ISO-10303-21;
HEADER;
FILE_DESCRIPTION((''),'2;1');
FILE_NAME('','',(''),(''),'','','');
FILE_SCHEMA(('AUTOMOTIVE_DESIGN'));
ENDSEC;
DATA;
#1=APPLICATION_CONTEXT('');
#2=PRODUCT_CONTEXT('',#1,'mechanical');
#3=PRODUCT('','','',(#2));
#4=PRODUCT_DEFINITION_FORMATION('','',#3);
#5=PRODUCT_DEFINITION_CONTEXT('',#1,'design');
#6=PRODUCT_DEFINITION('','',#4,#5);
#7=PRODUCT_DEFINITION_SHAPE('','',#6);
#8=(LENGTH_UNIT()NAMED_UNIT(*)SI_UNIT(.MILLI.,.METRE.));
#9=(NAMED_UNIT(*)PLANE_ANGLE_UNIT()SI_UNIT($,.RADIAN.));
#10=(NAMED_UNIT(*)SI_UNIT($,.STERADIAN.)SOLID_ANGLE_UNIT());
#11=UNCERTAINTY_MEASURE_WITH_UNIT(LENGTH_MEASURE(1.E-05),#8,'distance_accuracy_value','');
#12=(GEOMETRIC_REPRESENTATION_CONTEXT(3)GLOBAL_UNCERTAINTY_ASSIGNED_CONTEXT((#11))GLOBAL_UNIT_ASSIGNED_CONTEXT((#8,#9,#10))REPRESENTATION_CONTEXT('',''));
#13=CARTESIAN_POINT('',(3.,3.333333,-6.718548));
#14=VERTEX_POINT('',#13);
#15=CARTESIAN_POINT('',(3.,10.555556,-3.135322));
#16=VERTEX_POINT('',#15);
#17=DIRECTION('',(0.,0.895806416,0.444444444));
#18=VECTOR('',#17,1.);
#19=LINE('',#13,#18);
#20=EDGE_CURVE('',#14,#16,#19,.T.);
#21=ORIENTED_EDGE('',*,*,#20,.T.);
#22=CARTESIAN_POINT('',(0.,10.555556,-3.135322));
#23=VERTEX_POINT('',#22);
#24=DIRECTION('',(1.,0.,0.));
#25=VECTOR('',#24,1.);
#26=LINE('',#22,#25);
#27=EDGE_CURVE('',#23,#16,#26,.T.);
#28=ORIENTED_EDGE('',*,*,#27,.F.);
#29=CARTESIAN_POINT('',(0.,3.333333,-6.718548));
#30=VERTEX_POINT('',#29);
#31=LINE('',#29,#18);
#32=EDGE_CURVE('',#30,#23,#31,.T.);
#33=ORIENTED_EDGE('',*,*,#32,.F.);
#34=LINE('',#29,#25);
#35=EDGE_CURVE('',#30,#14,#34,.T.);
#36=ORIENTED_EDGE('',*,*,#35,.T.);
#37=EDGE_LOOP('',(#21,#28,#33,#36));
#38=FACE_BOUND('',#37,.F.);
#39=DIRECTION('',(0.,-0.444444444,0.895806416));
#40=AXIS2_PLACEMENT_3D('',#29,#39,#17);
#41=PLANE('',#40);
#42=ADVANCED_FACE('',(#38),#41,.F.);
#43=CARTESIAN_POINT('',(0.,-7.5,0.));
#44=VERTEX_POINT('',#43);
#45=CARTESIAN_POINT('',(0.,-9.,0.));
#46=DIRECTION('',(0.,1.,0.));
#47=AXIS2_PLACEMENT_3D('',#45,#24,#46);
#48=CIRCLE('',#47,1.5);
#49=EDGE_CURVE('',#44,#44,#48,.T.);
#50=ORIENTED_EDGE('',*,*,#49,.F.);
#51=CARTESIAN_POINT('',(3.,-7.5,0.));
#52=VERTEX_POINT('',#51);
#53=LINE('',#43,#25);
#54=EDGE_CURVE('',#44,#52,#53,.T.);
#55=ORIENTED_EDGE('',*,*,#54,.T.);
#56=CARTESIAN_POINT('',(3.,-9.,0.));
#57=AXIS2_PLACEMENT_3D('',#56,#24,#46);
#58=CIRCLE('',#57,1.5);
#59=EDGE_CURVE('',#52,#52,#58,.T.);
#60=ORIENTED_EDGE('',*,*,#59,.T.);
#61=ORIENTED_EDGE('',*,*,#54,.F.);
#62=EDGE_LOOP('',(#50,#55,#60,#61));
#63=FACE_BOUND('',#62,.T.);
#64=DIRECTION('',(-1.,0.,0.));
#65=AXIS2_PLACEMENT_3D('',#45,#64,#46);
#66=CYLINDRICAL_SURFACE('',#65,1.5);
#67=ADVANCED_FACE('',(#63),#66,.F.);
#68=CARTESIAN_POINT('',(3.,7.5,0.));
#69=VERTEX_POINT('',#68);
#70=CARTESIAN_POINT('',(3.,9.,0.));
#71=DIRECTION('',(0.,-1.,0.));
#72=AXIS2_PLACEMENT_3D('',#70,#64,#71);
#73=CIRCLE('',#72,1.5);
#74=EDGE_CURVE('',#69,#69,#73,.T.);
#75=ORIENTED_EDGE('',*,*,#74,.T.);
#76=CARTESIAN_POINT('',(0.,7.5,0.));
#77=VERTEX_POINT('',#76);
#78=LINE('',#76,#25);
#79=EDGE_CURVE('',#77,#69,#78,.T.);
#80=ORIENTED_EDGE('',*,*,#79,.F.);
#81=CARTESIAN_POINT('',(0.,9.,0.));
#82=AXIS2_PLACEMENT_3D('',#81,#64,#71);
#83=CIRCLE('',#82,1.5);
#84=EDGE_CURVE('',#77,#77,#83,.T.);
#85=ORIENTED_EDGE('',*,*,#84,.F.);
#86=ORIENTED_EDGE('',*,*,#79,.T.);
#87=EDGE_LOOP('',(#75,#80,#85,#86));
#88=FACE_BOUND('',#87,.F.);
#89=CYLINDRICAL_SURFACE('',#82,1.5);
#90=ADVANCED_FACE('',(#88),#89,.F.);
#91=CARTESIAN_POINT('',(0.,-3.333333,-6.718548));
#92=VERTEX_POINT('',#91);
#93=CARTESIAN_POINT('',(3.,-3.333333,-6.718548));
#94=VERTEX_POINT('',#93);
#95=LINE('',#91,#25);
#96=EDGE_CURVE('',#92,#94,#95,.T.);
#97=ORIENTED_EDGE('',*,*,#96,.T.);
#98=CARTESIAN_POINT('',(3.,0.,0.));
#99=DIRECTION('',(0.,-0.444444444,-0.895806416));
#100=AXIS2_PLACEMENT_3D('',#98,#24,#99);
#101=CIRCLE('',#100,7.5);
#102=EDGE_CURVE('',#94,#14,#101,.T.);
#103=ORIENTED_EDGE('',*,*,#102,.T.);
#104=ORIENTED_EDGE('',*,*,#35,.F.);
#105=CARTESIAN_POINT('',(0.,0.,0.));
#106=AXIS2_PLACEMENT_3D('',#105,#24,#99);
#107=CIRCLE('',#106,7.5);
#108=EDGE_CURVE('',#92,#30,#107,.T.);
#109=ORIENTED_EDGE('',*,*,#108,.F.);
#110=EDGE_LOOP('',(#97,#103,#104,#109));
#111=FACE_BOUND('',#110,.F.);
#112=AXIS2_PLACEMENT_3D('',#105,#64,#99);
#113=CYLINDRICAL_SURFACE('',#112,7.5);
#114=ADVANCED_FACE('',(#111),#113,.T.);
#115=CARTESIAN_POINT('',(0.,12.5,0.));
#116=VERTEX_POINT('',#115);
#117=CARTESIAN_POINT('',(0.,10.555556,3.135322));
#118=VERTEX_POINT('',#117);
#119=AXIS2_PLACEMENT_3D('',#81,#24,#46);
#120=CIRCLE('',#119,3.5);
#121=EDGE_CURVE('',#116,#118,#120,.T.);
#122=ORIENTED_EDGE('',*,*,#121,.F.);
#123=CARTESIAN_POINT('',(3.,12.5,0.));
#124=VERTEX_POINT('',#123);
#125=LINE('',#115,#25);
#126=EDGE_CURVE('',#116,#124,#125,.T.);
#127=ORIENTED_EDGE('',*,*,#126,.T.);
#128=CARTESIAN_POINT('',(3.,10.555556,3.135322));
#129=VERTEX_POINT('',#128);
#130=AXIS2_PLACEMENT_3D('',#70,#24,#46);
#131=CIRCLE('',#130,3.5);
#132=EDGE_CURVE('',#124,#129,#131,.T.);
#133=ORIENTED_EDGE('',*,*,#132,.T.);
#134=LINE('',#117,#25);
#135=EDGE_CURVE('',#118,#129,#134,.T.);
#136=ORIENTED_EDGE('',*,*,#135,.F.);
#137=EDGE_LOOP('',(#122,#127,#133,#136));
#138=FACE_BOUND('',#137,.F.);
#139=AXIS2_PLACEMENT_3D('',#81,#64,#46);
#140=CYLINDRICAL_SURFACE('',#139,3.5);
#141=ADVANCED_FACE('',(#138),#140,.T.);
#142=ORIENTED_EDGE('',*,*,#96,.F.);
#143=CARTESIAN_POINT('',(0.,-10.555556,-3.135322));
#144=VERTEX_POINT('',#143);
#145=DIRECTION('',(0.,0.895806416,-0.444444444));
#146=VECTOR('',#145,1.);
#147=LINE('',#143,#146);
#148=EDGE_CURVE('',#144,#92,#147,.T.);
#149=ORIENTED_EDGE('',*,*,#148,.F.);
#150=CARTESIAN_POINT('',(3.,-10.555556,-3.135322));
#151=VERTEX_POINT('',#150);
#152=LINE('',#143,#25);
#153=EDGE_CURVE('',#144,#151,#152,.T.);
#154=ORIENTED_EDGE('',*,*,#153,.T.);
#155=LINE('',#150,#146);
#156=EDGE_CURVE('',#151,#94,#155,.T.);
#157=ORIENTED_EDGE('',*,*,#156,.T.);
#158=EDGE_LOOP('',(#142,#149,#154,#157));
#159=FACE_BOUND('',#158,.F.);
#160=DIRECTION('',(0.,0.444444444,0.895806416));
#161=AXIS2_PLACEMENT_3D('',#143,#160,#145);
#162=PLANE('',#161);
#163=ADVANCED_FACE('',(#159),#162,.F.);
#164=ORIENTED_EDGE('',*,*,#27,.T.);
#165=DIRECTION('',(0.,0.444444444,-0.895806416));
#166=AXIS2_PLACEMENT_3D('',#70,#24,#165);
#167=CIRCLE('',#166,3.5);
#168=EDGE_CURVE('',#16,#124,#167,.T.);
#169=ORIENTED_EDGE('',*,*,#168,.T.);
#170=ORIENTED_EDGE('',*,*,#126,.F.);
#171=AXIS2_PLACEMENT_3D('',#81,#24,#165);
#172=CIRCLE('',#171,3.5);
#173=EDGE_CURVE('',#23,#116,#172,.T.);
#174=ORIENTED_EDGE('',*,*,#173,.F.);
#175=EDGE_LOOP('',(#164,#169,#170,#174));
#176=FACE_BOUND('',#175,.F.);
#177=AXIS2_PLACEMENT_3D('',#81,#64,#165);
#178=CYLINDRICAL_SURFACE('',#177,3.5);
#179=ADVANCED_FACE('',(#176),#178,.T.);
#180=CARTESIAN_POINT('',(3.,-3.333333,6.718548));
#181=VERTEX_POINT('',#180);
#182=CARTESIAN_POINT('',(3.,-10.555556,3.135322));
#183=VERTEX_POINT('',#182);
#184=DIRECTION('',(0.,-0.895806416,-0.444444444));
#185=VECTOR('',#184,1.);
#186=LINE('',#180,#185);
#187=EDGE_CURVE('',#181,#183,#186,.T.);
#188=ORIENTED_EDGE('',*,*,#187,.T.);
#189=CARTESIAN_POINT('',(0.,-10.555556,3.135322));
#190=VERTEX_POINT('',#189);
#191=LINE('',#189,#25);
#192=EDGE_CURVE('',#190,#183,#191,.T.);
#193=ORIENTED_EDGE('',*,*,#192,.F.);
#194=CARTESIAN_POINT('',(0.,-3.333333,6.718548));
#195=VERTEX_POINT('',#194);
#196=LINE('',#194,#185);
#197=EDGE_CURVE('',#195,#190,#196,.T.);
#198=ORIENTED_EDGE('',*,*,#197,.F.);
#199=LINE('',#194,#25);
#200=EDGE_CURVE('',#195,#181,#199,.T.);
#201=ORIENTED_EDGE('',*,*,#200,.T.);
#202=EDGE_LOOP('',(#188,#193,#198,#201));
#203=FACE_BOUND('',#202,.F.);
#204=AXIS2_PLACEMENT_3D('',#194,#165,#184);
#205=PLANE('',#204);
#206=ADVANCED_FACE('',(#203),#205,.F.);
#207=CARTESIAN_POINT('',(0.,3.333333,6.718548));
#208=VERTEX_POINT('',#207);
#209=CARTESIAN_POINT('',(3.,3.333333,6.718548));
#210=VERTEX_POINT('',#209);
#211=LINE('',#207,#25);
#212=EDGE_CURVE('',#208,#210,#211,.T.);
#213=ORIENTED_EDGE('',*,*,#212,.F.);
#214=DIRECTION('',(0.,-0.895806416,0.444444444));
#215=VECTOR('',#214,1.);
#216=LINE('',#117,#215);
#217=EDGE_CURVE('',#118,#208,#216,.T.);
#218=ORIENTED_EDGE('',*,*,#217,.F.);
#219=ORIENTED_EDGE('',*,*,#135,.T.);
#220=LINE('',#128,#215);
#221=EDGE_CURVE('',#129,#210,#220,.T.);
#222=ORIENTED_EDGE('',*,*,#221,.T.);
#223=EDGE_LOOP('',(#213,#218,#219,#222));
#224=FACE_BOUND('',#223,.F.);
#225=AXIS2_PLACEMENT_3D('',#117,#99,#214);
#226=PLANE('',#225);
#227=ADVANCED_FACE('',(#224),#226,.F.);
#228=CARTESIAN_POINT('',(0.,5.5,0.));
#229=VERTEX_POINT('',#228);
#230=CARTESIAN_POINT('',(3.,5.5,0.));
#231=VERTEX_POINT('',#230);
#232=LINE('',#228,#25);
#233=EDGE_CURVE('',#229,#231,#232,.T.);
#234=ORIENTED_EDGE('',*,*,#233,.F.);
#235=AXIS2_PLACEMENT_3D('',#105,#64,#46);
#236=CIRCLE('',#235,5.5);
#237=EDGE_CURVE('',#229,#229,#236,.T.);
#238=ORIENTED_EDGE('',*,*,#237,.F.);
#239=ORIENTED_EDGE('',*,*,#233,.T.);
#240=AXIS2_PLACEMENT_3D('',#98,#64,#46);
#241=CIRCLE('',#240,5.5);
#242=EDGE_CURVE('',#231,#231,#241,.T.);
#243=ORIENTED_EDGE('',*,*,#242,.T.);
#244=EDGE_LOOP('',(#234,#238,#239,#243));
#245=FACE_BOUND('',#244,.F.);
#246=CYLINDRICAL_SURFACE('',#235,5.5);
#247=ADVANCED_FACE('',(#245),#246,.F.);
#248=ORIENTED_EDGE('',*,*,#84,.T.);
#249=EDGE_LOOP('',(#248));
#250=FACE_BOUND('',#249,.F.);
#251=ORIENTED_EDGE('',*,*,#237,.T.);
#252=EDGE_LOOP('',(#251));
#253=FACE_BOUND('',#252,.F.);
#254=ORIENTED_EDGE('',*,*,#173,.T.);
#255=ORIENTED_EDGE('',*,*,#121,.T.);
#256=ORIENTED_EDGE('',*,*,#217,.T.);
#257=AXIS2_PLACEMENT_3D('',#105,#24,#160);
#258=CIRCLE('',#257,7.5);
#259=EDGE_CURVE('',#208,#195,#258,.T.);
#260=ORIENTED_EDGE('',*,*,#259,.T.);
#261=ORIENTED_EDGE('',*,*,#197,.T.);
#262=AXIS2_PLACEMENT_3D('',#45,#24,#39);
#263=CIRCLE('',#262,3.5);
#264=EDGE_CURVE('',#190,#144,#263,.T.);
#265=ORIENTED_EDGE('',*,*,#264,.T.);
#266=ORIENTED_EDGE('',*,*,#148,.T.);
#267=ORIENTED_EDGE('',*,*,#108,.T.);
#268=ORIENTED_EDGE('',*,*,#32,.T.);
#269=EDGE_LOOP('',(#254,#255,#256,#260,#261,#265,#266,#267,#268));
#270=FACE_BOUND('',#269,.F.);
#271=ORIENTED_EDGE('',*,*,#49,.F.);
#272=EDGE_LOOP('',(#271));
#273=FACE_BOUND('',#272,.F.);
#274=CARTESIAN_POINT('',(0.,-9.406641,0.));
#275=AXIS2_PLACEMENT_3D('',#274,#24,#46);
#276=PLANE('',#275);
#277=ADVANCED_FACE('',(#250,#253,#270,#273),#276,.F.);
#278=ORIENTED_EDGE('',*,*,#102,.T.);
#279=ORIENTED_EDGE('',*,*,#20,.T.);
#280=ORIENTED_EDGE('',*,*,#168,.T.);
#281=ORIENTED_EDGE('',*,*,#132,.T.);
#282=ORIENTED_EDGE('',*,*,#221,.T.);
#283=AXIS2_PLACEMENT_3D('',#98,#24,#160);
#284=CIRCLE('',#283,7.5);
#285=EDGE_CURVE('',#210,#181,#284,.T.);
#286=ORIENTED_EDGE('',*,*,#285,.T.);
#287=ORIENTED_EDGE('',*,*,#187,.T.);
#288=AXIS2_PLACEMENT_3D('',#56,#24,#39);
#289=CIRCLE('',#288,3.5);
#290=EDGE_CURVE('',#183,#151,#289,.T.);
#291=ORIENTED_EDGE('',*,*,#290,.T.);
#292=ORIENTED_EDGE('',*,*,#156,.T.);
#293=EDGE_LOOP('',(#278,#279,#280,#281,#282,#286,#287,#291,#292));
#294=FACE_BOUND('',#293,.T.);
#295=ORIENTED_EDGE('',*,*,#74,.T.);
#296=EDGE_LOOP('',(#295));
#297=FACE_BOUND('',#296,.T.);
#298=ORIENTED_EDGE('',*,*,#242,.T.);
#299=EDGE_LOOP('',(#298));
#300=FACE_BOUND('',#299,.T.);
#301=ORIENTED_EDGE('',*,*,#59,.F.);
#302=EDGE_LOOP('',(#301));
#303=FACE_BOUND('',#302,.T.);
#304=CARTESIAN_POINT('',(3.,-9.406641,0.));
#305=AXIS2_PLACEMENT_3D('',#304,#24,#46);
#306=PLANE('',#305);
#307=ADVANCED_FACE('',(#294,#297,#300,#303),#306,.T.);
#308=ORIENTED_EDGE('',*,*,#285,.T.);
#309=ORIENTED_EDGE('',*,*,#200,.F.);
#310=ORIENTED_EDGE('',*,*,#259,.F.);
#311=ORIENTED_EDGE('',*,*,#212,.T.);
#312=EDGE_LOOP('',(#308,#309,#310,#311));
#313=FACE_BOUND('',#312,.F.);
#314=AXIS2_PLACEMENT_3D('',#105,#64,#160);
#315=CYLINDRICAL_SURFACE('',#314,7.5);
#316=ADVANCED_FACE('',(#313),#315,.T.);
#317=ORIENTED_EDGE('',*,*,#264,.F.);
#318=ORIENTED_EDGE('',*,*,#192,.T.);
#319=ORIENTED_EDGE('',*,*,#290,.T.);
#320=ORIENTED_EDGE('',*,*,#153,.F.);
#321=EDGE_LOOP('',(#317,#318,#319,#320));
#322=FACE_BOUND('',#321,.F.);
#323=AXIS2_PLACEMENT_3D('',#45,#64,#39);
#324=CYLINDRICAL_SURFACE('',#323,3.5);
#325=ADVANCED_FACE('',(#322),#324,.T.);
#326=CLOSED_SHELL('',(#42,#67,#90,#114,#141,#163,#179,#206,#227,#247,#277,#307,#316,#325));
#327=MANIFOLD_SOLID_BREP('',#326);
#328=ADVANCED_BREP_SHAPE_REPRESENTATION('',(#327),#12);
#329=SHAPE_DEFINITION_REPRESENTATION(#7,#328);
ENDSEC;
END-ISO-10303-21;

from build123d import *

# Parameters (mm, degrees)
F0_R     = 1.5
F1_DEPTH = 3


with BuildPart() as f1:
    # F0 (on Right) → F1 (new body)
    with BuildSketch(Plane.YZ):
        with BuildLine():
            ThreePointArc((-7.5, 0), (-7.3598007219, 1.443375673), (-6.9444444444, 2.8327886187))
            ThreePointArc((-6.9444444444, 2.8327886187), (-8.707798561, 3.4877812889), (-10.5555555556, 3.1353224577))
            ThreePointArc((-10.5555555556, 3.1353224577), (-12.5, 0), (-10.5555555556, -3.1353224577))
            ThreePointArc((-10.5555555556, -3.1353224577), (-8.707798561, -3.4877812889), (-6.9444444444, -2.8327886187))
            ThreePointArc((-6.9444444444, -2.8327886187), (-7.3598007219, -1.443375673), (-7.5, 0))
        make_face()
        with Locations((-9, 0)):
            Circle(F0_R, mode=Mode.SUBTRACT)
        with BuildLine():
            ThreePointArc((-6.9444444444, -2.8327886187), (-5.8819521777, -1.589898669), (-5.5, 0))
            ThreePointArc((-5.5, 0), (-5.8819521777, 1.589898669), (-6.9444444444, 2.8327886187))
            ThreePointArc((-6.9444444444, 2.8327886187), (-7.3598007219, 1.443375673), (-7.5, 0))
            ThreePointArc((-7.5, 0), (-7.3598007219, -1.443375673), (-6.9444444444, -2.8327886187))
        make_face()
        with BuildLine():
            ThreePointArc((-10.5555555556, 3.1353224577), (-8.707798561, 3.4877812889), (-6.9444444444, 2.8327886187))
            ThreePointArc((-6.9444444444, 2.8327886187), (-5.4939021419, 5.1055890214), (-3.3333333333, 6.7185481236))
            Line((-3.3333333333, 6.7185481236), (-10.5555555556, 3.1353224577))
        make_face()
        with BuildLine():
            ThreePointArc((-5.5, 0), (0, 5.5), (5.5, 0))
            ThreePointArc((5.5, 0), (5.8819521777, 1.589898669), (6.9444444444, 2.8327886187))
            ThreePointArc((6.9444444444, 2.8327886187), (5.4939021419, 5.1055890214), (3.3333333333, 6.7185481236))
            ThreePointArc((3.3333333333, 6.7185481236), (0, 7.5), (-3.3333333333, 6.7185481236))
            ThreePointArc((-3.3333333333, 6.7185481236), (-5.4939021419, 5.1055890214), (-6.9444444444, 2.8327886187))
            ThreePointArc((-6.9444444444, 2.8327886187), (-5.8819521777, 1.589898669), (-5.5, 0))
        make_face()
        with BuildLine():
            ThreePointArc((-3.3333333333, -6.7185481236), (-5.4939021419, -5.1055890214), (-6.9444444444, -2.8327886187))
            ThreePointArc((-6.9444444444, -2.8327886187), (-8.707798561, -3.4877812889), (-10.5555555556, -3.1353224577))
            Line((-10.5555555556, -3.1353224577), (-3.3333333333, -6.7185481236))
        make_face()
        with BuildLine():
            ThreePointArc((6.9444444444, -2.8327886187), (5.8819521777, -1.589898669), (5.5, 0))
            ThreePointArc((5.5, 0), (0, -5.5), (-5.5, 0))
            ThreePointArc((-5.5, 0), (-5.8819521777, -1.589898669), (-6.9444444444, -2.8327886187))
            ThreePointArc((-6.9444444444, -2.8327886187), (-5.4939021419, -5.1055890214), (-3.3333333333, -6.7185481236))
            ThreePointArc((-3.3333333333, -6.7185481236), (0, -7.5), (3.3333333333, -6.7185481236))
            ThreePointArc((3.3333333333, -6.7185481236), (5.4939021419, -5.1055890214), (6.9444444444, -2.8327886187))
        make_face()
        with BuildLine():
            ThreePointArc((6.9444444444, 2.8327886187), (5.8819521777, 1.589898669), (5.5, 0))
            ThreePointArc((5.5, 0), (5.8819521777, -1.589898669), (6.9444444444, -2.8327886187))
            ThreePointArc((6.9444444444, -2.8327886187), (7.3598007219, -1.443375673), (7.5, 0))
            ThreePointArc((7.5, 0), (7.3598007219, 1.443375673), (6.9444444444, 2.8327886187))
        make_face()
        with BuildLine():
            ThreePointArc((10.5555555556, 3.1353224577), (8.707798561, 3.4877812889), (6.9444444444, 2.8327886187))
            ThreePointArc((6.9444444444, 2.8327886187), (7.3598007219, 1.443375673), (7.5, 0))
            ThreePointArc((7.5, 0), (7.3598007219, -1.443375673), (6.9444444444, -2.8327886187))
            ThreePointArc((6.9444444444, -2.8327886187), (8.707798561, -3.4877812889), (10.5555555556, -3.1353224577))
            ThreePointArc((10.5555555556, -3.1353224577), (11.9744280496, -1.8446619684), (12.5, 0))
            ThreePointArc((12.5, 0), (11.9744280496, 1.8446619684), (10.5555555556, 3.1353224577))
        make_face()
        with BuildLine():
            ThreePointArc((10.5, 0), (9, -1.5), (7.5, 0))
            ThreePointArc((7.5, 0), (9, 1.5), (10.5, 0))
        make_face(mode=Mode.SUBTRACT)
        with BuildLine():
            ThreePointArc((3.3333333333, 6.7185481236), (5.4939021419, 5.1055890214), (6.9444444444, 2.8327886187))
            ThreePointArc((6.9444444444, 2.8327886187), (8.707798561, 3.4877812889), (10.5555555556, 3.1353224577))
            Line((10.5555555556, 3.1353224577), (3.3333333333, 6.7185481236))
        make_face()
        with BuildLine():
            ThreePointArc((10.5555555556, -3.1353224577), (8.707798561, -3.4877812889), (6.9444444444, -2.8327886187))
            ThreePointArc((6.9444444444, -2.8327886187), (5.4939021419, -5.1055890214), (3.3333333333, -6.7185481236))
            Line((3.3333333333, -6.7185481236), (10.5555555556, -3.1353224577))
        make_face()
    extrude(amount=F1_DEPTH)


solid = f1.part
